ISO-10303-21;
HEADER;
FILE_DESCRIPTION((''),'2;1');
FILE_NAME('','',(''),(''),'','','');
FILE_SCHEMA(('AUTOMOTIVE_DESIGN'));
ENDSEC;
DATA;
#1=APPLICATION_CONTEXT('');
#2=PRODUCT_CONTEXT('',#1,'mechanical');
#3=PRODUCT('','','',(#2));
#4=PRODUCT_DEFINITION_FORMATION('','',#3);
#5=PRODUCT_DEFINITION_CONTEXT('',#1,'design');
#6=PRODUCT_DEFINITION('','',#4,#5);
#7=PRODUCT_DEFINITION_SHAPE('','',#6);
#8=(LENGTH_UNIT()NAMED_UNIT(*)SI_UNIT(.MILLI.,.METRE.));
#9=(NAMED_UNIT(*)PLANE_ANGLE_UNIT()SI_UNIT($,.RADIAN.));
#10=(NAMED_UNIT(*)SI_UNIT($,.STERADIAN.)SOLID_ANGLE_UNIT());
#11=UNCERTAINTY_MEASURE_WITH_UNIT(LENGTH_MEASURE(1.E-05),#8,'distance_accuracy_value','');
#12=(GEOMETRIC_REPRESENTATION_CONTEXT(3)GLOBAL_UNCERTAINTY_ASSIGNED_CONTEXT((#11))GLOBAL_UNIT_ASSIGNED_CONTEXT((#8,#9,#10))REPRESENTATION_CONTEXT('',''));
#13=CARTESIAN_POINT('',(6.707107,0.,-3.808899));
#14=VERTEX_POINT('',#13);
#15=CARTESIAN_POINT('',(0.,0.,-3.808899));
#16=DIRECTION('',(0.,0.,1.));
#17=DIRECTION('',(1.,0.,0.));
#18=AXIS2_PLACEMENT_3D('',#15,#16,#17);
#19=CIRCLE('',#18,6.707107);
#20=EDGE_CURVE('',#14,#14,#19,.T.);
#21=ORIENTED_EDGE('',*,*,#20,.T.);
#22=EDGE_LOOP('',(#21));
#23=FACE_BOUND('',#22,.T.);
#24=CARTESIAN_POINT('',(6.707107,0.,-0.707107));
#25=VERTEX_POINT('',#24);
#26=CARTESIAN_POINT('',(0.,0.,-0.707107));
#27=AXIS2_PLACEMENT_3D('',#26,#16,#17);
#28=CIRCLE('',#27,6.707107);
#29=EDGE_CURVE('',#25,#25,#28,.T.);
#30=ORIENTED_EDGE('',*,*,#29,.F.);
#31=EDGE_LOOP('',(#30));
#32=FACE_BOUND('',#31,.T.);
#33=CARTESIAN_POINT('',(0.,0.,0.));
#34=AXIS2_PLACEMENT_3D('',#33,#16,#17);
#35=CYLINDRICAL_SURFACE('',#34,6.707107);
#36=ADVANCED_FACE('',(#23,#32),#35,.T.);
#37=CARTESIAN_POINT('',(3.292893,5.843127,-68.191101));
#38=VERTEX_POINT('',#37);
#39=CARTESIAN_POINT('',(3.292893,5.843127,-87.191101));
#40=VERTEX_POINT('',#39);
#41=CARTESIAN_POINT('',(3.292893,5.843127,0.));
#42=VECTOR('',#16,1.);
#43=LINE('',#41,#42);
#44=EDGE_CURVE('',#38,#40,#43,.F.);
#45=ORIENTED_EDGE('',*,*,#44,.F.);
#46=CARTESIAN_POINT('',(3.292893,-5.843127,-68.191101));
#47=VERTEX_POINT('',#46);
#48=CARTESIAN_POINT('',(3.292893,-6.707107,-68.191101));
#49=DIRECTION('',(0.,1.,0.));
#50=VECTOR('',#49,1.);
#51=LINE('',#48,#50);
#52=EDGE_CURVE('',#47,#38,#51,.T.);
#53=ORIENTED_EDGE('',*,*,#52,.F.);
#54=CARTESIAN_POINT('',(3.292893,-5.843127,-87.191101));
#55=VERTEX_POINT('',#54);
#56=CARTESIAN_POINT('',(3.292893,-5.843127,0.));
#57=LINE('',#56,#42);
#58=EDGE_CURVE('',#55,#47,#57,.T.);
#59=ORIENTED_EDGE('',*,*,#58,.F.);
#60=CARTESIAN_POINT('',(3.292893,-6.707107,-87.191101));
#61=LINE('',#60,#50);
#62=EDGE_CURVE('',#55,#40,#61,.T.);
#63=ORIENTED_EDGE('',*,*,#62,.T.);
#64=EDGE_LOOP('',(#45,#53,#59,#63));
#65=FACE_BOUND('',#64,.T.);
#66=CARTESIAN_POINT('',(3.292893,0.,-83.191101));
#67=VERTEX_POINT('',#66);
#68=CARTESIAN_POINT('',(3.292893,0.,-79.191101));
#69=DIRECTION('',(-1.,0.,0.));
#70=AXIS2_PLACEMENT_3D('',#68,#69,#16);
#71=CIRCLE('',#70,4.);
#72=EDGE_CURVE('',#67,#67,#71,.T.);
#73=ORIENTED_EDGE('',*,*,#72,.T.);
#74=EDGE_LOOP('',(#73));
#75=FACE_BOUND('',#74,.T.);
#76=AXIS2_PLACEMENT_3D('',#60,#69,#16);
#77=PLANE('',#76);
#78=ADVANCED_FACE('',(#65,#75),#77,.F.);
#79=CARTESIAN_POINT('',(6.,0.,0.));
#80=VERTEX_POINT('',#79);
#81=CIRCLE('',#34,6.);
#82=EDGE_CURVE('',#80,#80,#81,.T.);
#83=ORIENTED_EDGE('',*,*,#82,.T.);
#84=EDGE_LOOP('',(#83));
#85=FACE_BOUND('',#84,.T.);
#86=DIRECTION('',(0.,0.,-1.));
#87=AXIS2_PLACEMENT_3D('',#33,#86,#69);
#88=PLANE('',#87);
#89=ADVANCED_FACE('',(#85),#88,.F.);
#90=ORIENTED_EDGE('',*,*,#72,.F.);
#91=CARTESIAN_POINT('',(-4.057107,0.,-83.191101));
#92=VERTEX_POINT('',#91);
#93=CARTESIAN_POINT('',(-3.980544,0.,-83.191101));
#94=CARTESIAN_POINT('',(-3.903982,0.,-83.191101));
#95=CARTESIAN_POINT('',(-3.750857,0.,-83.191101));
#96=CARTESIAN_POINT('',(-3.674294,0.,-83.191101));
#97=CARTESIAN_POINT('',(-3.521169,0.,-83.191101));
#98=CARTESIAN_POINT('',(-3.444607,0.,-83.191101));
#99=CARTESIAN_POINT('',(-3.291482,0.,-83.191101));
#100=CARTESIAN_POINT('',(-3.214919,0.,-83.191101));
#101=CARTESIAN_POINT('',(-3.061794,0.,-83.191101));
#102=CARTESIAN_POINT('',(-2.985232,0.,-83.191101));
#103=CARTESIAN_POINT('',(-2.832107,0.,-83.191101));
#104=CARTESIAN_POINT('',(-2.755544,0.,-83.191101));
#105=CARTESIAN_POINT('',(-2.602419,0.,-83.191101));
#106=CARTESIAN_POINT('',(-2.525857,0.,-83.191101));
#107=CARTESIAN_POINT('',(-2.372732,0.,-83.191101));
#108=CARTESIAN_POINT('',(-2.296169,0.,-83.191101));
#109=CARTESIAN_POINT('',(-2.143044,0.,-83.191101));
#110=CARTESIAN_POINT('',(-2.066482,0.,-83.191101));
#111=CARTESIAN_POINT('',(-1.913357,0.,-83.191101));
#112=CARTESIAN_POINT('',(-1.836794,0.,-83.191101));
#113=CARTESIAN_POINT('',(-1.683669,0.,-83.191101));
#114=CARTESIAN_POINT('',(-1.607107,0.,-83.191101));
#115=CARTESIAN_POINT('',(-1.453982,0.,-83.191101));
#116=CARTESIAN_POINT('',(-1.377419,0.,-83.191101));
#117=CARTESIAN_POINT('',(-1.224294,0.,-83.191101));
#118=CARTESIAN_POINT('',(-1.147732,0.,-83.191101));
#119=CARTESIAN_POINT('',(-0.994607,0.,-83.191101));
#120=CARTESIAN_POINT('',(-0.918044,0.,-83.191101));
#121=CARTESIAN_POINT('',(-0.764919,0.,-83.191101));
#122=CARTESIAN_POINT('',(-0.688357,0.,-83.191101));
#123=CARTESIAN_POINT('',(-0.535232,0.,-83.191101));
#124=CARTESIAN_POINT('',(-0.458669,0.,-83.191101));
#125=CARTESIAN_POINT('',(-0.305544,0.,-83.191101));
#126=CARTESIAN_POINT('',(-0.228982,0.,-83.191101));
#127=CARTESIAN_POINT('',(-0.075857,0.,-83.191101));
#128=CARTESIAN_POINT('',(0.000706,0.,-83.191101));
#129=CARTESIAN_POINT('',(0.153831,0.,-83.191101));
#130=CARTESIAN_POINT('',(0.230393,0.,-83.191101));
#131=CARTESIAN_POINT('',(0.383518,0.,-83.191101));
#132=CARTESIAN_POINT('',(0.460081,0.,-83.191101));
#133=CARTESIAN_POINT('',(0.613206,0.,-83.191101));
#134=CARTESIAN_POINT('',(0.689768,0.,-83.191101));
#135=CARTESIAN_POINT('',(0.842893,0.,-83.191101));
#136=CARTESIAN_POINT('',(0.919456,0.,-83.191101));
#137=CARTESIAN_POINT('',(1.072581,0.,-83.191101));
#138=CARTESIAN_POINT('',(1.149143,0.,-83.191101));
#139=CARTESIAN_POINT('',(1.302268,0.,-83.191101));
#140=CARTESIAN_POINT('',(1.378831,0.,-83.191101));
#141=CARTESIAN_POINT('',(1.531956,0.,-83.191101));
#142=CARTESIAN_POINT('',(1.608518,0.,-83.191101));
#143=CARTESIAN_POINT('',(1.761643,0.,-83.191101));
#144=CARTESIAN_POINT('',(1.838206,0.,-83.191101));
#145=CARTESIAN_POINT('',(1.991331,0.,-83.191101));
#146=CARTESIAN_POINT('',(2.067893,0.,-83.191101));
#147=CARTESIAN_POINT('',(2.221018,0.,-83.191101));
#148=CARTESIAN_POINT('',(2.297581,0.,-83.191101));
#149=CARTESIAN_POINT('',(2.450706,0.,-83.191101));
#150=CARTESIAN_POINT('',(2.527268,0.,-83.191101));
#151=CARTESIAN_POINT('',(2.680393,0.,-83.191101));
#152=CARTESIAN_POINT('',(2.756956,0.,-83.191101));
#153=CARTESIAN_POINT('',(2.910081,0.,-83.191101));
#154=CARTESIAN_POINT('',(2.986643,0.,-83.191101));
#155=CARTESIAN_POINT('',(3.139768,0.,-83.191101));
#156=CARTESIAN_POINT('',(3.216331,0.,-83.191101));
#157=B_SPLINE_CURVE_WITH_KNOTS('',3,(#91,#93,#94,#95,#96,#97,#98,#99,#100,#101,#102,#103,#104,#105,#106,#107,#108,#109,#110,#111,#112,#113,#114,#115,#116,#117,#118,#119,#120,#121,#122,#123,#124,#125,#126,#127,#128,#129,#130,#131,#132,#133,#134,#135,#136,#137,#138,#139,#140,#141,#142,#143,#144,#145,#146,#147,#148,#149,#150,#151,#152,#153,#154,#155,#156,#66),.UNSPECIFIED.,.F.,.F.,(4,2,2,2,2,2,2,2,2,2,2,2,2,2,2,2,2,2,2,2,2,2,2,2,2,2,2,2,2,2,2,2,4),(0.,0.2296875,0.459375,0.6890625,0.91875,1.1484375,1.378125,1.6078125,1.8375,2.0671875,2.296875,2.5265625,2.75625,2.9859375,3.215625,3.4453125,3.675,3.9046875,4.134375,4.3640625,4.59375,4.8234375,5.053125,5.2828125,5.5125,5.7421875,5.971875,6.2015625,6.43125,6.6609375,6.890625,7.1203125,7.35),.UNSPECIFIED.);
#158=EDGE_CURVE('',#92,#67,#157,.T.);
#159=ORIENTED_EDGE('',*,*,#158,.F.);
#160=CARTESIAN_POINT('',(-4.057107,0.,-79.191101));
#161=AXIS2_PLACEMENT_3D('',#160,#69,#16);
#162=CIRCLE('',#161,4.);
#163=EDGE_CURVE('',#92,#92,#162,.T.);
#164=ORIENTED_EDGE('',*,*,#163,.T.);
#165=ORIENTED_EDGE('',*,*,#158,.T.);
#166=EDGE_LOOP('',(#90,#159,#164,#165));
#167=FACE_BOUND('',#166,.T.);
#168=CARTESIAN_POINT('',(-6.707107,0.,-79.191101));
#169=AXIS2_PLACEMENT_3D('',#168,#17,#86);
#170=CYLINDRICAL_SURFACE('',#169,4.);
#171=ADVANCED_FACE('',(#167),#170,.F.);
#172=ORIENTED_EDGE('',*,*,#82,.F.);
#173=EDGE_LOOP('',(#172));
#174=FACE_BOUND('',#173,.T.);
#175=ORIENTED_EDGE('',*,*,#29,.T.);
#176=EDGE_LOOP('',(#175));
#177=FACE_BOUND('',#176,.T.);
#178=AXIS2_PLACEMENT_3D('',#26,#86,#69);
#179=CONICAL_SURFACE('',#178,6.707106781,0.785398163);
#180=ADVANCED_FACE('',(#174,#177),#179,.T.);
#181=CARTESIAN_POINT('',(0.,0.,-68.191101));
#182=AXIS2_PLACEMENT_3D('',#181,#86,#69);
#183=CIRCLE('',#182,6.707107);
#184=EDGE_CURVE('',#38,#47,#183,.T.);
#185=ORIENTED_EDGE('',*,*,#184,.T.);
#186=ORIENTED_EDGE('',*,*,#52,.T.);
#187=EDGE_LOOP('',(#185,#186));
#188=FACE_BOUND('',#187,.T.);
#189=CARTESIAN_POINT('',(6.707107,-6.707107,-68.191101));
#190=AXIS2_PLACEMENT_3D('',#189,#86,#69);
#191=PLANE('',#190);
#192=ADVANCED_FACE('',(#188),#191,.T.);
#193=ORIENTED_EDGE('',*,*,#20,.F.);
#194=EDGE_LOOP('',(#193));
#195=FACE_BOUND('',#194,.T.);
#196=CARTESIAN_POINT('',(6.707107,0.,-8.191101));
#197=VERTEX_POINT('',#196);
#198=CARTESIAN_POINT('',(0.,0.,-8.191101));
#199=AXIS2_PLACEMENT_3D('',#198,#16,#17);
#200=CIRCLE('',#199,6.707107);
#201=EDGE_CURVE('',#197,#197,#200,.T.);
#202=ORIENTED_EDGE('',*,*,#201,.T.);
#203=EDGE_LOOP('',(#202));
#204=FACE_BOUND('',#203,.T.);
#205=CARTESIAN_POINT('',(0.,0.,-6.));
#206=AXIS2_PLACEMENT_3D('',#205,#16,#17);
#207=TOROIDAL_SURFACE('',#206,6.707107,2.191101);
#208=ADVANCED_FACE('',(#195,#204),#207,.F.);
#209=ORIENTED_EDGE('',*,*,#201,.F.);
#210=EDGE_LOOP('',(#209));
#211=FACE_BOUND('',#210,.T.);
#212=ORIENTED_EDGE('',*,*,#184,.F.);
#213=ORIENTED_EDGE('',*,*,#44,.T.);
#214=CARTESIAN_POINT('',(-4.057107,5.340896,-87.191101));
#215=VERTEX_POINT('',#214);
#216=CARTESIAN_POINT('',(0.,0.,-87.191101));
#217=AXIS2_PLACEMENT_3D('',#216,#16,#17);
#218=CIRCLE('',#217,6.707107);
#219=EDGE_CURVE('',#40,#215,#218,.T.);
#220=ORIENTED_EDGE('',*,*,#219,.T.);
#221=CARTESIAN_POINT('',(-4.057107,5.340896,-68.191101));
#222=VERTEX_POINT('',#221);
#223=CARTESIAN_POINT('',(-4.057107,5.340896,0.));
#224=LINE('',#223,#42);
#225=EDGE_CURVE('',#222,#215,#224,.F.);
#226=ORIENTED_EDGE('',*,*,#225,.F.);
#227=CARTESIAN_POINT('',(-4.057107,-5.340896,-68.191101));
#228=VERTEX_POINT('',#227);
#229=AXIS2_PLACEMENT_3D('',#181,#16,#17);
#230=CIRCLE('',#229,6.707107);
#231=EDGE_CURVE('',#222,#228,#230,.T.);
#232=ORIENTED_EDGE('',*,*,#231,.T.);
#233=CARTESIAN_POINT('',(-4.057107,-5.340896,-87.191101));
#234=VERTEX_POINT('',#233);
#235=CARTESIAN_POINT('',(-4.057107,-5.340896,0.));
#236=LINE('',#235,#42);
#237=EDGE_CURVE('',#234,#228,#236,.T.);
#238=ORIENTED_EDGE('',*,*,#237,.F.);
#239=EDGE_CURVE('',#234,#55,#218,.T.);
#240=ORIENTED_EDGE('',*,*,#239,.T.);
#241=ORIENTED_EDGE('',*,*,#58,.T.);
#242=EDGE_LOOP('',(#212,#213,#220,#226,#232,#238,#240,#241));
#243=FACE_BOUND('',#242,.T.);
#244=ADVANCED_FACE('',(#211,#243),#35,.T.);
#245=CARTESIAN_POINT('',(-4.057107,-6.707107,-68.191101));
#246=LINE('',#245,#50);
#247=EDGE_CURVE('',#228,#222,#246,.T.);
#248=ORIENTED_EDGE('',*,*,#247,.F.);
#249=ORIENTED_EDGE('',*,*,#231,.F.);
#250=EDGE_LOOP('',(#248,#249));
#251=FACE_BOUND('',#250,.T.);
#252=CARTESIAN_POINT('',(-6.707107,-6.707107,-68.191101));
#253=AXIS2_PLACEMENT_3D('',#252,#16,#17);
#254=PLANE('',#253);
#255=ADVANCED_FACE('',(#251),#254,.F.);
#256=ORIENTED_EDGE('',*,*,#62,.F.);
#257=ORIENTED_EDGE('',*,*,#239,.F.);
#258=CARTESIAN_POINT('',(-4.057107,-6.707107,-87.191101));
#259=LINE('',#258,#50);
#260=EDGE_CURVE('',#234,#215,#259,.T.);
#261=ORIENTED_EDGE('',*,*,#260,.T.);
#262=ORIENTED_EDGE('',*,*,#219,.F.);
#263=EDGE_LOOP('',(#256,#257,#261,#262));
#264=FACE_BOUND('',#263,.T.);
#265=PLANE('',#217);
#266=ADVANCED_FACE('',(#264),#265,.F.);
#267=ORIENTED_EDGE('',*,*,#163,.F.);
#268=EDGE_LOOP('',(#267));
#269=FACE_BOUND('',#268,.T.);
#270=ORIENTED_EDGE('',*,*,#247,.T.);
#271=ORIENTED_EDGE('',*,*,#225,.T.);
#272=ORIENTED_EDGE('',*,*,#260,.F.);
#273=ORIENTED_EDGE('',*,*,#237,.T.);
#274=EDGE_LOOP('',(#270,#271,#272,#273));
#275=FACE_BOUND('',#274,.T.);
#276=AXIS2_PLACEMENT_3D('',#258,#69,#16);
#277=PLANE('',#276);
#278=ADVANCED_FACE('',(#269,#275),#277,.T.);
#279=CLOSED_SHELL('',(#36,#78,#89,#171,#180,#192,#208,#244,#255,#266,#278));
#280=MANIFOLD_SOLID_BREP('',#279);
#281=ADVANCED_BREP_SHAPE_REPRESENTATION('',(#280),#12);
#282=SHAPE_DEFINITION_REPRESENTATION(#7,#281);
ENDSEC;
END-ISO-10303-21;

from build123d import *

# Parameters (mm, degrees)
CORTE_EXTRUS_O1_DEPTH      = 88.705522097
CORTE_EXTRUS_O1_DEPTH_BACK = 88.705522097
ESBO_O2_W                  = 3.414213562
ESBO_O2_H                  = 19
ESBO_O2_W_2                = 2.65
CORTE_EXTRUS_O2_DEPTH      = 89.018596472
CORTE_EXTRUS_O2_DEPTH_BACK = 89.018596472
ESBO_O3_R                  = 4


with BuildPart() as part:
    # Esboço1 → Revolução1 (revolve)
    with BuildSketch(Plane(origin=(0, 0, 0), x_dir=(0, 0, -1), z_dir=(1, 0, 0)), mode=Mode.PRIVATE) as revolu_o1_sk:
        with BuildLine():
            Line((0, 0), (0, 6))
            Line((0, 6), (0.707106781, 6.707106781))
            Line((0.707106781, 6.707106781), (3.808899287, 6.707106781))
            ThreePointArc((3.808899287, 6.707106781), (6, 4.516006068), (8.191100713, 6.707106781))
            Line((8.191100713, 6.707106781), (87.191100713, 6.707106781))
            Line((87.191100713, 6.707106781), (87.191100713, 0))
            Line((87.191100713, 0), (0, 0))
        make_face()
    revolve(revolu_o1_sk.sketch.rotate(Axis((0, 0, 0), (0, 0, -1)), 90), axis=Axis((0, 0, 0), (0, 0, -1)))

    # Esboço2 → Corte-extrusão1 (cut, two sides: drawn at the far end of the back side and taken through both)
    with BuildSketch(Plane(origin=(0, 0, 0), x_dir=(1, 0, 0), z_dir=(0, 1, 0)).offset(-CORTE_EXTRUS_O1_DEPTH_BACK)):
        with Locations((5, 77.691100713)):
            Rectangle(ESBO_O2_W, ESBO_O2_H)
        with Locations((-5.382106781, 77.691100713)):
            Rectangle(ESBO_O2_W_2, ESBO_O2_H)
    extrude(amount=CORTE_EXTRUS_O1_DEPTH + CORTE_EXTRUS_O1_DEPTH_BACK, mode=Mode.SUBTRACT)

    # Esboço3 → Corte-extrusão2 (cut, two sides: drawn at the far end of the back side and taken through both)
    with BuildSketch(Plane(origin=(3.292893219, 0, 0), x_dir=(0, 0, -1), z_dir=(1, 0, 0)).offset(-CORTE_EXTRUS_O2_DEPTH_BACK)):
        with Locations((79.191100713, 0)):
            Circle(ESBO_O3_R)
    extrude(amount=CORTE_EXTRUS_O2_DEPTH + CORTE_EXTRUS_O2_DEPTH_BACK, mode=Mode.SUBTRACT)


solid = part.part
